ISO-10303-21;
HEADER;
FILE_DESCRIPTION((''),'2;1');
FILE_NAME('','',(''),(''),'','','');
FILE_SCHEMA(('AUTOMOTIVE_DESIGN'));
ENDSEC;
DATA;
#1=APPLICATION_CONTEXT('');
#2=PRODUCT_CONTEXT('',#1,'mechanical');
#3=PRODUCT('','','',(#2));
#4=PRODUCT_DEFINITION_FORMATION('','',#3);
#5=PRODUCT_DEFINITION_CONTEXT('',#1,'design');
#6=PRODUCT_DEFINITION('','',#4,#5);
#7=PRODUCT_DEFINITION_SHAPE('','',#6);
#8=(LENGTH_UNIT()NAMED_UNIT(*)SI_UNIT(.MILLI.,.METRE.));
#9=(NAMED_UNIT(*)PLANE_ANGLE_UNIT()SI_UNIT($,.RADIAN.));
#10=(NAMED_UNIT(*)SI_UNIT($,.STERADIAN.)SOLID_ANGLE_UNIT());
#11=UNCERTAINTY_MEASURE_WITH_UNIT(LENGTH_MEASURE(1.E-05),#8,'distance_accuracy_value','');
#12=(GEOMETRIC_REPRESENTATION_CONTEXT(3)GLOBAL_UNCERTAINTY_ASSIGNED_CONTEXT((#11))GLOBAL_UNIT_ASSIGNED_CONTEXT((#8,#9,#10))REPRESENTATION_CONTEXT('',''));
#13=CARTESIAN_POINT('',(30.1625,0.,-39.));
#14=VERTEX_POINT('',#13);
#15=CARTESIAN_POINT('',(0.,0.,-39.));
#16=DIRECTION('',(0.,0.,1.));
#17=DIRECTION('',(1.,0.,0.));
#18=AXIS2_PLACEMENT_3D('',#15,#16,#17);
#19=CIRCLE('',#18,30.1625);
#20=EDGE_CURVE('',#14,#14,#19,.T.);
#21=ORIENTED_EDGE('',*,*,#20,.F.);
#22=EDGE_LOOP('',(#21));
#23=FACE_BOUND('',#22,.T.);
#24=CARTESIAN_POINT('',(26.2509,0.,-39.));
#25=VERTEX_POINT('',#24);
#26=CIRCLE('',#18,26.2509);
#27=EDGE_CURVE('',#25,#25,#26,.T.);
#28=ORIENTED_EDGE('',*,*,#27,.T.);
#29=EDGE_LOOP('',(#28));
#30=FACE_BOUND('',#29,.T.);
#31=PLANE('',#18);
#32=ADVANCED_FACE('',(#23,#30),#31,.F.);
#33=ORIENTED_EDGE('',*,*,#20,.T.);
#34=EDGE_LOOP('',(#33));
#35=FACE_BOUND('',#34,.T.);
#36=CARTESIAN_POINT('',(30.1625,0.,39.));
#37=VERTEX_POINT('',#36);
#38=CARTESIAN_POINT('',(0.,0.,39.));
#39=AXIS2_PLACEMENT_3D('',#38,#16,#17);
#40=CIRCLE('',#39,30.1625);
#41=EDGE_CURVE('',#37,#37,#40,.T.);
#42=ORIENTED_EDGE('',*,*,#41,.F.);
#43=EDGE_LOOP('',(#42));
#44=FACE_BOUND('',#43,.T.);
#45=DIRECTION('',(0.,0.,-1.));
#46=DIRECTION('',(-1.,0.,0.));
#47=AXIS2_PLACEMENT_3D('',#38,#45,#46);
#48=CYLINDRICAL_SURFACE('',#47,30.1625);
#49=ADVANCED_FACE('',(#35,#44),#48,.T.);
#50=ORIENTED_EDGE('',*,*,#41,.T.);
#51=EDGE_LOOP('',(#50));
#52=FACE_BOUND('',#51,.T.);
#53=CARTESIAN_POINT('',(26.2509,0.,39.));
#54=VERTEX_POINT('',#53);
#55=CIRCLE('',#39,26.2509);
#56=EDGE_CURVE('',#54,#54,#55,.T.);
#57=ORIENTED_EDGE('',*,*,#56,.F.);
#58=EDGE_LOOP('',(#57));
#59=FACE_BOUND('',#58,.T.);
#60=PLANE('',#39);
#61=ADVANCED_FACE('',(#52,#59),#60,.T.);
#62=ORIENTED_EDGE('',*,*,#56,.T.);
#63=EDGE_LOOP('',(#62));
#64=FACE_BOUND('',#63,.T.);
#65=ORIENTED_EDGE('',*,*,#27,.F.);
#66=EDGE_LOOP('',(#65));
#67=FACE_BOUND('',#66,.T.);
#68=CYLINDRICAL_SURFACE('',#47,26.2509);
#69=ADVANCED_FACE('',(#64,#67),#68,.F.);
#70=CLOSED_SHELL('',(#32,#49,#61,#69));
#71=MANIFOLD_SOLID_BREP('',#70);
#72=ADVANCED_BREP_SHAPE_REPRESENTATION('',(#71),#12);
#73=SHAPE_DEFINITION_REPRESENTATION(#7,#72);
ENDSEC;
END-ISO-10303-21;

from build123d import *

# Parameters (mm, degrees)
SKETCH1_R           = 30.1625
SKETCH1_R_2         = 26.2509
EXTRUDE_THIN1_DEPTH = 39


with BuildPart() as part:
    # Sketch1 → Extrude-Thin1 (new, symmetric)
    with BuildSketch(Plane.XY):
        Circle(SKETCH1_R)
        Circle(SKETCH1_R_2, mode=Mode.SUBTRACT)
    extrude(amount=EXTRUDE_THIN1_DEPTH, both=True)


solid = part.part
